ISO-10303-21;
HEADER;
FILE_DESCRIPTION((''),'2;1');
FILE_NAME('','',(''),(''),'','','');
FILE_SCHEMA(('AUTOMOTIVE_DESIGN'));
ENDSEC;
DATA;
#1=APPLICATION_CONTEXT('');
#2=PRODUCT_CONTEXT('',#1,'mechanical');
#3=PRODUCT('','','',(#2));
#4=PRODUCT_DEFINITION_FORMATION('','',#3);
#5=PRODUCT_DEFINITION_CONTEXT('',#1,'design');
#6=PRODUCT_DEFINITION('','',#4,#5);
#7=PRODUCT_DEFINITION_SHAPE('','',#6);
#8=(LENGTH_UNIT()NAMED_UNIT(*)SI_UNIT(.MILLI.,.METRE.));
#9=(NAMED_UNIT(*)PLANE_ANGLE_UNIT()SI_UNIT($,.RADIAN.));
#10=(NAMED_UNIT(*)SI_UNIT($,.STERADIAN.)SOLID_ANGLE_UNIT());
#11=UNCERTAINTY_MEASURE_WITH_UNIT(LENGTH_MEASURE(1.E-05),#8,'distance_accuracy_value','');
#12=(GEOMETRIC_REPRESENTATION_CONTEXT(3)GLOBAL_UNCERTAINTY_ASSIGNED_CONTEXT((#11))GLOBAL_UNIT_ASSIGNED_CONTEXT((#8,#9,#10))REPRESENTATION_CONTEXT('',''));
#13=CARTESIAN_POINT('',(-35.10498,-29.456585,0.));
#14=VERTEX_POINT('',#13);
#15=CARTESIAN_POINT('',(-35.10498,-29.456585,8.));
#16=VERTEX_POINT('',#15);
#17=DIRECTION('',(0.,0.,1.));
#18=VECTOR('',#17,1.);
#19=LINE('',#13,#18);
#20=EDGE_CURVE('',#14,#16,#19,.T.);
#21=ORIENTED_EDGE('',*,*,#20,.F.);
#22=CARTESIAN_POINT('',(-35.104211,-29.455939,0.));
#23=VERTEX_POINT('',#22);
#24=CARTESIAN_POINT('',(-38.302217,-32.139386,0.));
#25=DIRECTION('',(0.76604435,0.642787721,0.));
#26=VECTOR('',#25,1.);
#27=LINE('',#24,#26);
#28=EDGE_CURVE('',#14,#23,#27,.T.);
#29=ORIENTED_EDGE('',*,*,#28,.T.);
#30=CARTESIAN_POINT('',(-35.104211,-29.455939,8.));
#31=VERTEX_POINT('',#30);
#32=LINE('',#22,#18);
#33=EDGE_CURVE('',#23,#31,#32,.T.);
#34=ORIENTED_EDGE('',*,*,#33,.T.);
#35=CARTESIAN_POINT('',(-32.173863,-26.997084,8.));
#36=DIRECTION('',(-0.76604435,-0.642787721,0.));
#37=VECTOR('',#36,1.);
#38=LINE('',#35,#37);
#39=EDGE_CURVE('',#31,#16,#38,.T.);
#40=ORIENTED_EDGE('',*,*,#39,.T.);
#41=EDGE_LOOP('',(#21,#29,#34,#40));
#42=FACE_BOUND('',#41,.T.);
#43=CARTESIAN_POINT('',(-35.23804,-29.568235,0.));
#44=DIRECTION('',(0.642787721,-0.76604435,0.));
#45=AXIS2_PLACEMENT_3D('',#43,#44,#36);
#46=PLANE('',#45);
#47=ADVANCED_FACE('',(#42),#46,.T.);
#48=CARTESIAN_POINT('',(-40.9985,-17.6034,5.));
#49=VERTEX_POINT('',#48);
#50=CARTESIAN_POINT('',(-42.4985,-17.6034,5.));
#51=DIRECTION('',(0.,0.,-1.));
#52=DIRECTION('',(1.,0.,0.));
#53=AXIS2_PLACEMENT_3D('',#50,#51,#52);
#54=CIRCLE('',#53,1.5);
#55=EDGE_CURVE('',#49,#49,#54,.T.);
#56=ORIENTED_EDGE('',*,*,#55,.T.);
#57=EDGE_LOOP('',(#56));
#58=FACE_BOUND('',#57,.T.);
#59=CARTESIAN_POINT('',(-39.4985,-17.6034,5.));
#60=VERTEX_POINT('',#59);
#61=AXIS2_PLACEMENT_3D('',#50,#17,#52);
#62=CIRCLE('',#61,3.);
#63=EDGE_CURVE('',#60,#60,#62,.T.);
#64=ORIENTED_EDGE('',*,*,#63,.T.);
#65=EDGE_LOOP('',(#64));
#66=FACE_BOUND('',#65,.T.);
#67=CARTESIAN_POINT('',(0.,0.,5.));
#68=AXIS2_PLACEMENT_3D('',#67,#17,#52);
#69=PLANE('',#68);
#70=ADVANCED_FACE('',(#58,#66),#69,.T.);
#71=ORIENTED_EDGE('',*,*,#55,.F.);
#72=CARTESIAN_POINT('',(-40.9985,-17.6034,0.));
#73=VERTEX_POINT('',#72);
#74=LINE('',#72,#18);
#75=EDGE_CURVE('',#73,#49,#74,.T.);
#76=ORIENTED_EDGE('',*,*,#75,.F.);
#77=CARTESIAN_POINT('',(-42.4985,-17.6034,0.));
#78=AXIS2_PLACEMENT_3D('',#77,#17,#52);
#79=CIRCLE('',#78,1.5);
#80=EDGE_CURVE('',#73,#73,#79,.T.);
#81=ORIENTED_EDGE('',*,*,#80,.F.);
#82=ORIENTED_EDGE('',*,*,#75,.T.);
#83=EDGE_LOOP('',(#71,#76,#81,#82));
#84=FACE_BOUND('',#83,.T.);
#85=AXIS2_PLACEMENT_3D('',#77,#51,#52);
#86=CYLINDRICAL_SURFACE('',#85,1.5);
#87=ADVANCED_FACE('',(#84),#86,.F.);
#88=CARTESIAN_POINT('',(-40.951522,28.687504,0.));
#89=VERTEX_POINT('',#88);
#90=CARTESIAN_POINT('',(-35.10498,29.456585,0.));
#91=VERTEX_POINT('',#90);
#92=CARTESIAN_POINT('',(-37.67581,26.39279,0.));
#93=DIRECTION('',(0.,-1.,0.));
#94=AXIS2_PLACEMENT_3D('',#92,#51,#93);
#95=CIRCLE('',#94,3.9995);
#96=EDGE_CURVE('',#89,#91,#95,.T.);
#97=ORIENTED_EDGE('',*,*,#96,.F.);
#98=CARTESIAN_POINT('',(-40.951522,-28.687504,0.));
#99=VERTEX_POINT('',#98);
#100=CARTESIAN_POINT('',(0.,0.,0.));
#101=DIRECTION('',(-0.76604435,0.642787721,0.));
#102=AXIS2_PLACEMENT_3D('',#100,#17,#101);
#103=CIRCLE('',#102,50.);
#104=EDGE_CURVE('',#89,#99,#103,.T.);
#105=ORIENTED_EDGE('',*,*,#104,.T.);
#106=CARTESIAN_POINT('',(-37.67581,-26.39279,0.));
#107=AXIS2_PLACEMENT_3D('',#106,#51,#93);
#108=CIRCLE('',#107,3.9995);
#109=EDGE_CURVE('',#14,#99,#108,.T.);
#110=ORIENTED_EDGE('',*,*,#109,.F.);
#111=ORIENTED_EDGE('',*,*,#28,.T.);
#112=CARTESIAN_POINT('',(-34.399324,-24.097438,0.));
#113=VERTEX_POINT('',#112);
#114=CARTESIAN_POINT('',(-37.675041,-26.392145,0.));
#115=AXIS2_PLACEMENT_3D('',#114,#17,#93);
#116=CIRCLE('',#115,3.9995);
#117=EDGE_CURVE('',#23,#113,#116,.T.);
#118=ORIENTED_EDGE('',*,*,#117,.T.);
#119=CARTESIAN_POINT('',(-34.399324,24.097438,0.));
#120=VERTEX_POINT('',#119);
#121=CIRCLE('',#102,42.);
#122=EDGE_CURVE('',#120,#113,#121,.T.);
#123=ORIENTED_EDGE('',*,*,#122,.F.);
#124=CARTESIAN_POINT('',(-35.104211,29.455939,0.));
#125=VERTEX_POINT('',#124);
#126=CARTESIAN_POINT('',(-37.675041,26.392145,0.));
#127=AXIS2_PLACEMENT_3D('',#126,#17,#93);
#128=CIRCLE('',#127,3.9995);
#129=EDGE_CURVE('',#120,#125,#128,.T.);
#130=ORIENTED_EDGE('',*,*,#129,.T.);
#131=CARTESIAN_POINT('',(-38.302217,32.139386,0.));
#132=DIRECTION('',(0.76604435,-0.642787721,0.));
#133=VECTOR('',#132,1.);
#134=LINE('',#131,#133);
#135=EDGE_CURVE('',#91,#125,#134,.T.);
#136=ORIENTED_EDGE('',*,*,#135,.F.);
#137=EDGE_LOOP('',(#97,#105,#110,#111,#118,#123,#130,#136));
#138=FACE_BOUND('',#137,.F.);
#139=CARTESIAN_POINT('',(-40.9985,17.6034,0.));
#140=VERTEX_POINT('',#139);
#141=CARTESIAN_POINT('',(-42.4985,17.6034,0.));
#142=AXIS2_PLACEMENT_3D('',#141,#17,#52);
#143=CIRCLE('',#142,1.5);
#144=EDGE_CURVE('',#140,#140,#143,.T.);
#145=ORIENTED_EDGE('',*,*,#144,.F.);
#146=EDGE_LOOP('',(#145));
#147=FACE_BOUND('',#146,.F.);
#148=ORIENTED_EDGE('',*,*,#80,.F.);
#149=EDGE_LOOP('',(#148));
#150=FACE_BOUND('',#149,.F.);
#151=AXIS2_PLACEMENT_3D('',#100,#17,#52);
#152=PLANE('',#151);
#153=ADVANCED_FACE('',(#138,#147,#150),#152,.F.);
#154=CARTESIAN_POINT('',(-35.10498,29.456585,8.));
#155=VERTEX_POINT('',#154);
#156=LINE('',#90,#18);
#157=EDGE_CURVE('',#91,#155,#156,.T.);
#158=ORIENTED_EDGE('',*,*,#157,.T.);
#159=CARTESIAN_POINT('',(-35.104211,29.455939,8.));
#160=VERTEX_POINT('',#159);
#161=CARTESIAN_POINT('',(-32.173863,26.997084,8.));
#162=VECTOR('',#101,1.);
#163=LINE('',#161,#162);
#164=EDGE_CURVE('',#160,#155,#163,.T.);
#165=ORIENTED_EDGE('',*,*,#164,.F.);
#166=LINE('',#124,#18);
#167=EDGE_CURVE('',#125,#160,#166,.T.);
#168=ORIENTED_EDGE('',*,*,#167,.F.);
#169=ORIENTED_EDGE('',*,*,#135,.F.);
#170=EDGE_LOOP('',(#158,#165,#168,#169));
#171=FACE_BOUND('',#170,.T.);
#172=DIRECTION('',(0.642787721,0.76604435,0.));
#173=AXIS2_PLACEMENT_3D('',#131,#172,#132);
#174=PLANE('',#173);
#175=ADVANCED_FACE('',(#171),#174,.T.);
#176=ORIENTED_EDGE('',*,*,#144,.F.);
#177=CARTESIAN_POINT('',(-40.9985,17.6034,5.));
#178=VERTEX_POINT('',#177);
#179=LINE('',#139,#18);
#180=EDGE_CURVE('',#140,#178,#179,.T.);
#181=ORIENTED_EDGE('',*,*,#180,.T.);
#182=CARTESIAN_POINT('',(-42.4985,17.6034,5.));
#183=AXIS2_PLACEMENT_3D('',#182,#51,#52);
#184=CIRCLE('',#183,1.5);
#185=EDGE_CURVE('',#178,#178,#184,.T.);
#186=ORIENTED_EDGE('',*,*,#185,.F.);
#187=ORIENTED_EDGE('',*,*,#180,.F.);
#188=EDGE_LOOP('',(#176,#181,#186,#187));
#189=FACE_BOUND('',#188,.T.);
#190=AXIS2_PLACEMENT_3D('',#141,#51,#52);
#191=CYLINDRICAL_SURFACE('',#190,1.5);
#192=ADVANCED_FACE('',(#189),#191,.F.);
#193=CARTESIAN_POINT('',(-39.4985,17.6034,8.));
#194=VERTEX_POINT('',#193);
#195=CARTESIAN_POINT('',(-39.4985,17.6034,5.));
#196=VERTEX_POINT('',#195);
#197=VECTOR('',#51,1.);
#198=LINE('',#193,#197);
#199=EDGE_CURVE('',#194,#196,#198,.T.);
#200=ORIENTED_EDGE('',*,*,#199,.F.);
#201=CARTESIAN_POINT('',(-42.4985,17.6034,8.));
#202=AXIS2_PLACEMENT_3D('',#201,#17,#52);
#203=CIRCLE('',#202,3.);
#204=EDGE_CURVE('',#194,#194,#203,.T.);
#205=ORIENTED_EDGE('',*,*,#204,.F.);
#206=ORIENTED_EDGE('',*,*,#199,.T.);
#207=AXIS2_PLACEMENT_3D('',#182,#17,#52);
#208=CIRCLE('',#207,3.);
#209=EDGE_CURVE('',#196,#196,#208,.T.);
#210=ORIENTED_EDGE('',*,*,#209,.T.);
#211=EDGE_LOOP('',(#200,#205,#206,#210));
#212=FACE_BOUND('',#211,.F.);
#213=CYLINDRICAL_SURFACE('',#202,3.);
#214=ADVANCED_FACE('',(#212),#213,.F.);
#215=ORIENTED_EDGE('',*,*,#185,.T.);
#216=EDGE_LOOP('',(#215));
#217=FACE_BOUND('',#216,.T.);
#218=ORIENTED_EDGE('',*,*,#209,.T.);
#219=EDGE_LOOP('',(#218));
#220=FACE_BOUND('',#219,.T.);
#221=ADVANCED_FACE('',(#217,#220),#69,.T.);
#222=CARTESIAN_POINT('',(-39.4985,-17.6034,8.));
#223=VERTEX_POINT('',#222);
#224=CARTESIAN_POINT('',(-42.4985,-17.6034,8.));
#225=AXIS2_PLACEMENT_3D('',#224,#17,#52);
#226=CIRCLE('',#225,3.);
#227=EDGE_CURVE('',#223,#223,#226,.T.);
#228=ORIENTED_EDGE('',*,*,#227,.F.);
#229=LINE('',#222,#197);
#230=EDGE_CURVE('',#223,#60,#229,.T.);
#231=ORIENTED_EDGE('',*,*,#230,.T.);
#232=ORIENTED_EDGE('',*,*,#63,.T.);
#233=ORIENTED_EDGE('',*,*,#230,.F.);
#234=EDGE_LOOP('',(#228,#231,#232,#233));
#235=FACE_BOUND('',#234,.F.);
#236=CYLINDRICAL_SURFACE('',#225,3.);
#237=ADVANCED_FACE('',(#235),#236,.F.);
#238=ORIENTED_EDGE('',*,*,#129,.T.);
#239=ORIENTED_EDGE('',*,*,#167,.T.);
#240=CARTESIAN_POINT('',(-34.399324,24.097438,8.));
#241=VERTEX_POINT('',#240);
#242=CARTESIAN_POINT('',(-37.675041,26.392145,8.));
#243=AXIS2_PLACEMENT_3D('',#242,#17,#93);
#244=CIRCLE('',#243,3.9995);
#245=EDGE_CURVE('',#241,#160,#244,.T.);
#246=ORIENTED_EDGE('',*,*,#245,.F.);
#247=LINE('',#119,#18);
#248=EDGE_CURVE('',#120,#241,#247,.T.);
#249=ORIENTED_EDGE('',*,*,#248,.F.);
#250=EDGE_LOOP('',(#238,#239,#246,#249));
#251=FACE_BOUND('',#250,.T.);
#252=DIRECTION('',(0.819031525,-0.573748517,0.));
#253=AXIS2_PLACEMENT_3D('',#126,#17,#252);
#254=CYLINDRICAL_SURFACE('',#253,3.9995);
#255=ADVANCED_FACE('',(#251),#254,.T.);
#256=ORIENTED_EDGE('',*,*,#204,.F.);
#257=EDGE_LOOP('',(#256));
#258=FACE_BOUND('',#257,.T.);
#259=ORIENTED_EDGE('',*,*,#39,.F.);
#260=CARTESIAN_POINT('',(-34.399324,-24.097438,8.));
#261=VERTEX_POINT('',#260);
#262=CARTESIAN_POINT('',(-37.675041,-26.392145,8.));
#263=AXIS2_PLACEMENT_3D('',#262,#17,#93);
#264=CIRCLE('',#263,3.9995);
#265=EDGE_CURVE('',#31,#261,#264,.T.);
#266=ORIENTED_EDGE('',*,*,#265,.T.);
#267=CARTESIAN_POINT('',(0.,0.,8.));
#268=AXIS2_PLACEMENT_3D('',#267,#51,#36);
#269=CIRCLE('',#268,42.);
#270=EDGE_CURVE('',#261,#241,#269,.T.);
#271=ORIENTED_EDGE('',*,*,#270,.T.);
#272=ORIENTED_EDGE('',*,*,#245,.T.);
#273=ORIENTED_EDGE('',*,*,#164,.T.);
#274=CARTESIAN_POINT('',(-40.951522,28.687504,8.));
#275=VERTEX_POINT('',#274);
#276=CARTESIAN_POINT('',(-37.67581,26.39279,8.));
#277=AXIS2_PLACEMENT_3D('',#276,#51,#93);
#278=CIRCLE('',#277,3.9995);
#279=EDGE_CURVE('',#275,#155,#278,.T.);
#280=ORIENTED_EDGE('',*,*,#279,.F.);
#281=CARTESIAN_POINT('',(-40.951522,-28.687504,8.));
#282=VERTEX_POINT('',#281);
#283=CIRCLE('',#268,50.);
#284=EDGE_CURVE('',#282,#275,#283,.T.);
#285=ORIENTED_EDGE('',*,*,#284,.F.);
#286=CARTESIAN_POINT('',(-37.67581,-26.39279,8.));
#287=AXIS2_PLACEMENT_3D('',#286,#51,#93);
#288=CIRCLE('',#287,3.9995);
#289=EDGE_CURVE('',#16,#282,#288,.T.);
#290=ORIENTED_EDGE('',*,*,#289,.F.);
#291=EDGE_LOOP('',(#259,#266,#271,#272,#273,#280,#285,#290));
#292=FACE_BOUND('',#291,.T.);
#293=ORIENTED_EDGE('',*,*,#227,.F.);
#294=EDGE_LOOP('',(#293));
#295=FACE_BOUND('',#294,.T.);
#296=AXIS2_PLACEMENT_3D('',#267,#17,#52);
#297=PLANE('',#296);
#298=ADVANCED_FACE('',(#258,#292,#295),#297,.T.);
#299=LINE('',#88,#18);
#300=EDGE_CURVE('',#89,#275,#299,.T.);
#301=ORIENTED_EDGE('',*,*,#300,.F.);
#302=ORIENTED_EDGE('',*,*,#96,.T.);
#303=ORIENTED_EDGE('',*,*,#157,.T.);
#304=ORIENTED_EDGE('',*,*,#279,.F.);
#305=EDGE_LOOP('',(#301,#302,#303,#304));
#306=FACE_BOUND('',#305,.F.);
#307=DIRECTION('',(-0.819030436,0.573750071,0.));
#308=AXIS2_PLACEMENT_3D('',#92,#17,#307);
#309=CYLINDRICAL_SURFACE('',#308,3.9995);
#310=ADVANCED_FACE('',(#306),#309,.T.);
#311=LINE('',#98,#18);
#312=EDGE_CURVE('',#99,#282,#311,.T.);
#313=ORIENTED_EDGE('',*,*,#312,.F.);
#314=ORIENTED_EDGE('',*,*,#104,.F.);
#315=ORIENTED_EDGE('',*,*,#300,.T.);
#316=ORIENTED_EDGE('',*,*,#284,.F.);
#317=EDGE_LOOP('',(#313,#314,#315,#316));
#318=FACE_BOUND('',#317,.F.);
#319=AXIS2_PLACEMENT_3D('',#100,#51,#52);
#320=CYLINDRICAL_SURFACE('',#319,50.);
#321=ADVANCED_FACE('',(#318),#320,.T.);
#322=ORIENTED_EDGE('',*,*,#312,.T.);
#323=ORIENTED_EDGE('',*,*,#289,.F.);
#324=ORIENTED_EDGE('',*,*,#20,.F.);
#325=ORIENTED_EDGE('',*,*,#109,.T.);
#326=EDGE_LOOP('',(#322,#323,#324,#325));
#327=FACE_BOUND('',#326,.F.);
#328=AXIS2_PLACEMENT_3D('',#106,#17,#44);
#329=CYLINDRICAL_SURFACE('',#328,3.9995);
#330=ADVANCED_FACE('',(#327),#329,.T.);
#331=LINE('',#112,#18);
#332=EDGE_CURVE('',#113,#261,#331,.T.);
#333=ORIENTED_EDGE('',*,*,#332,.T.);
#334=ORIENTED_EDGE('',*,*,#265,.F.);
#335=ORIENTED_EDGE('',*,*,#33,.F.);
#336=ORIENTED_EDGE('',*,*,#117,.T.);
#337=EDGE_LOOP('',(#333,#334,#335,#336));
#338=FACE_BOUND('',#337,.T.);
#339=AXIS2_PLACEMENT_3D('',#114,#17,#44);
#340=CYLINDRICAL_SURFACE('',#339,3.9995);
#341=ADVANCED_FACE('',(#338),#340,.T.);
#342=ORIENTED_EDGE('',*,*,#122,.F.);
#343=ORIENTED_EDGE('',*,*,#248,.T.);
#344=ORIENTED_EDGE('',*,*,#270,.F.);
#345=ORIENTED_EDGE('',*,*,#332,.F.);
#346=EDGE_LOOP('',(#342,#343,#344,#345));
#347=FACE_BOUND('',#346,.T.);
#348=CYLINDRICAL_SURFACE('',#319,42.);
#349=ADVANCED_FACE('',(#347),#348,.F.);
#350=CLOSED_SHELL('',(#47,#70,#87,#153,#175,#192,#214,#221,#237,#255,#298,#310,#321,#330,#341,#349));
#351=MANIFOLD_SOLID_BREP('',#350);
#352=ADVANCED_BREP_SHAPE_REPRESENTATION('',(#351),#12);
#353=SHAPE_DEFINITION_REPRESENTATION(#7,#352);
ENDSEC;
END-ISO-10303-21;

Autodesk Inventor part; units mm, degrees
ref_plane "YZ Plane" through (0, 0, 0) normal (1, 0, 0) x (0, 1, 0)
ref_plane "XZ Plane" through (0, 0, 0) normal (0, 1, 0) x (-1, 0, 0)
ref_plane "XY Plane" through (0, 0, 0) normal (0, 0, 1) x (1, 0, 0)
sketch "スケッチ1" plane through (0, 0, 0) normal (0, 0, 1) x (1, 0, 0)
  circle A0 centre (0, 0) radius 46
  circle A1 centre (0, 0) radius 50
  circle A2 centre (0, 0) radius 42
  line L0 (0, 0) -> (0, 54.8528)
  line L1 (0, 0) -> (-20.7697, 50.1426)
  circle A3 centre (-17.6034, 42.4985) radius 1.5
  circle A4 centre (-42.4985, 17.6034) radius 1.5
  circle A5 centre (-42.4985, -17.6034) radius 1.5
  circle A6 centre (-17.6034, -42.4985) radius 1.5
  circle A7 centre (17.6034, -42.4985) radius 1.5
  circle A8 centre (42.4985, -17.6034) radius 1.5
  circle A9 centre (42.4985, 17.6034) radius 1.5
  circle A10 centre (17.6034, 42.4985) radius 1.5
  line L2 (0, 0) -> (-55.1659, -46.2897)
  line L3 (-55.1659, -46.2897) -> (-55.1659, 46.2897)
  line L4 (-55.1659, 46.2897) -> (0, 0)
  line L5 (0, 0) -> (-76.7662, 0)
  point P0 (-32.1739, -26.9971)
  point P1 (-32.1739, 26.9971)
  point P2 (-38.3022, 32.1394)
  point P3 (-38.3022, -32.1394)
  dimension "d0" = 92
  dimension "d1" = 100
  dimension "d2" = 84
  dimension "d3" = 22.5
  dimension "d4" = 3
  dimension "d7" = 360
  dimension "d9" = 80
  dimension "d10" = 40
extrude "押し出し1" add sketch "スケッチ1" along normal blind 8 contours L2 A1 L5 A0 A5 | A0 A5 L5 A2 L2 | A2 L5 A0 A4 L4 | L4 A0 A4 L5 A1
fillet "フィレット1" radius 4 4 edges at (-32.1739, -26.9971, 4) (-38.3022, -32.1394, 4) (-38.3022, 32.1394, 4) (-32.1739, 26.9971, 4)
sketch "スケッチ2" plane through (0, 0, 8) normal (0, 0, 1) x (1, 0, 0)
  circle A0 centre (-42.4985, -17.6034) radius 1.5 projected
  circle A1 centre (-42.4985, -17.6034) radius 3
  circle A2 centre (-42.4985, 17.6034) radius 1.5 projected
  circle A3 centre (-42.4985, 17.6034) radius 3
  point P0 (0, 0)
  dimension "d14" = 6
  dimension "d15" = 6
extrude "押し出し2" cut sketch "スケッチ2" against normal blind 3 contours A0 | A1 | A2 | A3
equation "\"d10\" = 0.5 * d9"
properties part number "legparts_10"
